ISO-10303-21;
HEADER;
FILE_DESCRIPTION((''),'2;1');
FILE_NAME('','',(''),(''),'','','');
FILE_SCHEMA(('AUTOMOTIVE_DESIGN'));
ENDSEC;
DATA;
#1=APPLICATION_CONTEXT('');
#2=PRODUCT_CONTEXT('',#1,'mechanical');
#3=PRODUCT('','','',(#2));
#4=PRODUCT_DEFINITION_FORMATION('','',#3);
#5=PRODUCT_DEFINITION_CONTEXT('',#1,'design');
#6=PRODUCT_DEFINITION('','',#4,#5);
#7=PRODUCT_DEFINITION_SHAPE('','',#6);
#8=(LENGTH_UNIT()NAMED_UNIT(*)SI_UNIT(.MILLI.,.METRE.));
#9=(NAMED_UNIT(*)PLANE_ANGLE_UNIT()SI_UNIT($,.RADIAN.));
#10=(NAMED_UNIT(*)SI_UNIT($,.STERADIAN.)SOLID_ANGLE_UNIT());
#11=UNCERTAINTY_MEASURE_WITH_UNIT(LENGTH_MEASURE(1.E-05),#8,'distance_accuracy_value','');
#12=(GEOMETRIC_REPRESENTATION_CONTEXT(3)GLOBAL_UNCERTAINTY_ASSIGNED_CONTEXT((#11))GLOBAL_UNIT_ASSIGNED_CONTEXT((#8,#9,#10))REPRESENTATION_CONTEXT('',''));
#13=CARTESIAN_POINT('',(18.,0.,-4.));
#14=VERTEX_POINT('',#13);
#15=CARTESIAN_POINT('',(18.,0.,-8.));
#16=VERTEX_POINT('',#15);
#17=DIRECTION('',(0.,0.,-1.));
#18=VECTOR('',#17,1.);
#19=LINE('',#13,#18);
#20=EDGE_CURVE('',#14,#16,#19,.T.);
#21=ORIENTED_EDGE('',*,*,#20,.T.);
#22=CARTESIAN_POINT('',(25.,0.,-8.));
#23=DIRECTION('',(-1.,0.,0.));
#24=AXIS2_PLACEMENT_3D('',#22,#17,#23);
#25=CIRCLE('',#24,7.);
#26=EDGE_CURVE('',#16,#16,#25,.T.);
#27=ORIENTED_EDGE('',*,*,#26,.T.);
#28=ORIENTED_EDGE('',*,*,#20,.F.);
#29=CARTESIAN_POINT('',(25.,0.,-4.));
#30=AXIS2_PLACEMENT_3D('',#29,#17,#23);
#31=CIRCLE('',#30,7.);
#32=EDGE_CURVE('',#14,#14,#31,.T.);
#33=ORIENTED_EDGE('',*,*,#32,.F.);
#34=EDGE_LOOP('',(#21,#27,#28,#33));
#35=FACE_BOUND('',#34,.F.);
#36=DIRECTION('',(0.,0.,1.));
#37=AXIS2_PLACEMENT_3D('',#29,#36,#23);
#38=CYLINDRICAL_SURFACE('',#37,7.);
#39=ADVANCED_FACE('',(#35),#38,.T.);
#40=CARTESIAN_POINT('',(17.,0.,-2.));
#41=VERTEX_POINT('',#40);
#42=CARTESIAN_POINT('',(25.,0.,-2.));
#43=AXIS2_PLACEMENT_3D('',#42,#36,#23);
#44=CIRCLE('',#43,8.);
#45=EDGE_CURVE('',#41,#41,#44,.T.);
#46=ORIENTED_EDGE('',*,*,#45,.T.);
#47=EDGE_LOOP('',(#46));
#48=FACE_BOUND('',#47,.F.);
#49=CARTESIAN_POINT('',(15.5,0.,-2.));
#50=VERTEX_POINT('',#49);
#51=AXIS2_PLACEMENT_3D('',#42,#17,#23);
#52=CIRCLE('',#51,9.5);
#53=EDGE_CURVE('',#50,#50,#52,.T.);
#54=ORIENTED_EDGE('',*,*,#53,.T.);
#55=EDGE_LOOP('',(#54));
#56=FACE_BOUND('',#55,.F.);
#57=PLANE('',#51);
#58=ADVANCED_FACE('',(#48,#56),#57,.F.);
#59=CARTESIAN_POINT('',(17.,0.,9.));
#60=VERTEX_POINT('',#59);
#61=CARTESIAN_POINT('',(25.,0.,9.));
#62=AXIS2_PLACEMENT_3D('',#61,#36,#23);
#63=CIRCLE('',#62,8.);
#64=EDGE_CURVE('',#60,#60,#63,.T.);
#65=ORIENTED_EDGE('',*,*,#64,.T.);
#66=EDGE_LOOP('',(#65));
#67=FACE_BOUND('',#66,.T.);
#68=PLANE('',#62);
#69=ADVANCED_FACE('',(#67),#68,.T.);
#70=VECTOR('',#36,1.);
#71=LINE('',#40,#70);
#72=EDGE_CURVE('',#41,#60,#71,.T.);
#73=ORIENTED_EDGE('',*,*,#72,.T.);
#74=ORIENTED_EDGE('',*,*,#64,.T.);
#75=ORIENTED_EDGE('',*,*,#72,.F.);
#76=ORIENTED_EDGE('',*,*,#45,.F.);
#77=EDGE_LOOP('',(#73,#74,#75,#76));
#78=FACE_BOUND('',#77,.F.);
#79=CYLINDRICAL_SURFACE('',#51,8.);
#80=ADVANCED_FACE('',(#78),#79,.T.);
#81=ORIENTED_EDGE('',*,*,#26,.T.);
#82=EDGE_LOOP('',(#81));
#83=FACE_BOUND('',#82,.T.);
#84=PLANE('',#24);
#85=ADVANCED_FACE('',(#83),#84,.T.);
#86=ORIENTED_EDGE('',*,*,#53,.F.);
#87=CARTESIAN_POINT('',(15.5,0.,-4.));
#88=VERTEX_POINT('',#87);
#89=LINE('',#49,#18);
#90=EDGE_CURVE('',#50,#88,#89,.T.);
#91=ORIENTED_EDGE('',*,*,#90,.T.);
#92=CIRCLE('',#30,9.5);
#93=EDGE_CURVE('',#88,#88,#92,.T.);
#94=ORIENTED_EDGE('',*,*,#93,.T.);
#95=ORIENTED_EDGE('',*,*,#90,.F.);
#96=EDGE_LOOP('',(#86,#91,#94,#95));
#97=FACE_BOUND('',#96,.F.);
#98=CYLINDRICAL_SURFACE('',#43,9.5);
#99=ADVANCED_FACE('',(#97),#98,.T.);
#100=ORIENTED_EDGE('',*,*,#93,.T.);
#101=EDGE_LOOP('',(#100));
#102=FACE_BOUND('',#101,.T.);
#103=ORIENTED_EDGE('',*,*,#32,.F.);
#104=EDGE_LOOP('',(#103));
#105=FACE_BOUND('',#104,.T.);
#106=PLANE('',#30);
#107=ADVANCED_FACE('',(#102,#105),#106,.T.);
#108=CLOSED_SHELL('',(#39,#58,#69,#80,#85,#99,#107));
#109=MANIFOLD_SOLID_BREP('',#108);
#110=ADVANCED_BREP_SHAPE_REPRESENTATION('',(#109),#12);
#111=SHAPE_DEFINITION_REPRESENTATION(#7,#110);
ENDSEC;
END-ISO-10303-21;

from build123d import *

# Parameters (mm, degrees)
SKETCH010_R             = 9.5
PAD008_DEPTH            = 2
SKETCH011_R             = 7
PAD009_DEPTH            = 4
SKETCH012_R             = 8
PAD010_DEPTH            = 11
BODY003_PLACEMENT_ANGLE = 180


with BuildPart() as part:
    # Sketch010 → Pad008 (new body)
    with BuildSketch(Plane.XY):
        Circle(SKETCH010_R)
    extrude(amount=PAD008_DEPTH)

    # Sketch011 (on Face3 of Pad008) → Pad009 (join)
    with BuildSketch(Plane.XY.offset(2)):
        Circle(SKETCH011_R)
    extrude(amount=PAD009_DEPTH)

    # Sketch012 (on Face2 of Pad009) → Pad010 (join)
    with BuildSketch(Plane(origin=(0, 0, 0), x_dir=(1, 0, 0), z_dir=(0, 0, -1))):
        Circle(SKETCH012_R)
    extrude(amount=PAD010_DEPTH)


with BuildPart() as part_1:
    # Body003 placement: moved
    add(part.part.moved(Location((25, 0, -2))).rotate(Axis((25, 0, -2), (0, 1, 0)), BODY003_PLACEMENT_ANGLE))


solid = part_1.part
